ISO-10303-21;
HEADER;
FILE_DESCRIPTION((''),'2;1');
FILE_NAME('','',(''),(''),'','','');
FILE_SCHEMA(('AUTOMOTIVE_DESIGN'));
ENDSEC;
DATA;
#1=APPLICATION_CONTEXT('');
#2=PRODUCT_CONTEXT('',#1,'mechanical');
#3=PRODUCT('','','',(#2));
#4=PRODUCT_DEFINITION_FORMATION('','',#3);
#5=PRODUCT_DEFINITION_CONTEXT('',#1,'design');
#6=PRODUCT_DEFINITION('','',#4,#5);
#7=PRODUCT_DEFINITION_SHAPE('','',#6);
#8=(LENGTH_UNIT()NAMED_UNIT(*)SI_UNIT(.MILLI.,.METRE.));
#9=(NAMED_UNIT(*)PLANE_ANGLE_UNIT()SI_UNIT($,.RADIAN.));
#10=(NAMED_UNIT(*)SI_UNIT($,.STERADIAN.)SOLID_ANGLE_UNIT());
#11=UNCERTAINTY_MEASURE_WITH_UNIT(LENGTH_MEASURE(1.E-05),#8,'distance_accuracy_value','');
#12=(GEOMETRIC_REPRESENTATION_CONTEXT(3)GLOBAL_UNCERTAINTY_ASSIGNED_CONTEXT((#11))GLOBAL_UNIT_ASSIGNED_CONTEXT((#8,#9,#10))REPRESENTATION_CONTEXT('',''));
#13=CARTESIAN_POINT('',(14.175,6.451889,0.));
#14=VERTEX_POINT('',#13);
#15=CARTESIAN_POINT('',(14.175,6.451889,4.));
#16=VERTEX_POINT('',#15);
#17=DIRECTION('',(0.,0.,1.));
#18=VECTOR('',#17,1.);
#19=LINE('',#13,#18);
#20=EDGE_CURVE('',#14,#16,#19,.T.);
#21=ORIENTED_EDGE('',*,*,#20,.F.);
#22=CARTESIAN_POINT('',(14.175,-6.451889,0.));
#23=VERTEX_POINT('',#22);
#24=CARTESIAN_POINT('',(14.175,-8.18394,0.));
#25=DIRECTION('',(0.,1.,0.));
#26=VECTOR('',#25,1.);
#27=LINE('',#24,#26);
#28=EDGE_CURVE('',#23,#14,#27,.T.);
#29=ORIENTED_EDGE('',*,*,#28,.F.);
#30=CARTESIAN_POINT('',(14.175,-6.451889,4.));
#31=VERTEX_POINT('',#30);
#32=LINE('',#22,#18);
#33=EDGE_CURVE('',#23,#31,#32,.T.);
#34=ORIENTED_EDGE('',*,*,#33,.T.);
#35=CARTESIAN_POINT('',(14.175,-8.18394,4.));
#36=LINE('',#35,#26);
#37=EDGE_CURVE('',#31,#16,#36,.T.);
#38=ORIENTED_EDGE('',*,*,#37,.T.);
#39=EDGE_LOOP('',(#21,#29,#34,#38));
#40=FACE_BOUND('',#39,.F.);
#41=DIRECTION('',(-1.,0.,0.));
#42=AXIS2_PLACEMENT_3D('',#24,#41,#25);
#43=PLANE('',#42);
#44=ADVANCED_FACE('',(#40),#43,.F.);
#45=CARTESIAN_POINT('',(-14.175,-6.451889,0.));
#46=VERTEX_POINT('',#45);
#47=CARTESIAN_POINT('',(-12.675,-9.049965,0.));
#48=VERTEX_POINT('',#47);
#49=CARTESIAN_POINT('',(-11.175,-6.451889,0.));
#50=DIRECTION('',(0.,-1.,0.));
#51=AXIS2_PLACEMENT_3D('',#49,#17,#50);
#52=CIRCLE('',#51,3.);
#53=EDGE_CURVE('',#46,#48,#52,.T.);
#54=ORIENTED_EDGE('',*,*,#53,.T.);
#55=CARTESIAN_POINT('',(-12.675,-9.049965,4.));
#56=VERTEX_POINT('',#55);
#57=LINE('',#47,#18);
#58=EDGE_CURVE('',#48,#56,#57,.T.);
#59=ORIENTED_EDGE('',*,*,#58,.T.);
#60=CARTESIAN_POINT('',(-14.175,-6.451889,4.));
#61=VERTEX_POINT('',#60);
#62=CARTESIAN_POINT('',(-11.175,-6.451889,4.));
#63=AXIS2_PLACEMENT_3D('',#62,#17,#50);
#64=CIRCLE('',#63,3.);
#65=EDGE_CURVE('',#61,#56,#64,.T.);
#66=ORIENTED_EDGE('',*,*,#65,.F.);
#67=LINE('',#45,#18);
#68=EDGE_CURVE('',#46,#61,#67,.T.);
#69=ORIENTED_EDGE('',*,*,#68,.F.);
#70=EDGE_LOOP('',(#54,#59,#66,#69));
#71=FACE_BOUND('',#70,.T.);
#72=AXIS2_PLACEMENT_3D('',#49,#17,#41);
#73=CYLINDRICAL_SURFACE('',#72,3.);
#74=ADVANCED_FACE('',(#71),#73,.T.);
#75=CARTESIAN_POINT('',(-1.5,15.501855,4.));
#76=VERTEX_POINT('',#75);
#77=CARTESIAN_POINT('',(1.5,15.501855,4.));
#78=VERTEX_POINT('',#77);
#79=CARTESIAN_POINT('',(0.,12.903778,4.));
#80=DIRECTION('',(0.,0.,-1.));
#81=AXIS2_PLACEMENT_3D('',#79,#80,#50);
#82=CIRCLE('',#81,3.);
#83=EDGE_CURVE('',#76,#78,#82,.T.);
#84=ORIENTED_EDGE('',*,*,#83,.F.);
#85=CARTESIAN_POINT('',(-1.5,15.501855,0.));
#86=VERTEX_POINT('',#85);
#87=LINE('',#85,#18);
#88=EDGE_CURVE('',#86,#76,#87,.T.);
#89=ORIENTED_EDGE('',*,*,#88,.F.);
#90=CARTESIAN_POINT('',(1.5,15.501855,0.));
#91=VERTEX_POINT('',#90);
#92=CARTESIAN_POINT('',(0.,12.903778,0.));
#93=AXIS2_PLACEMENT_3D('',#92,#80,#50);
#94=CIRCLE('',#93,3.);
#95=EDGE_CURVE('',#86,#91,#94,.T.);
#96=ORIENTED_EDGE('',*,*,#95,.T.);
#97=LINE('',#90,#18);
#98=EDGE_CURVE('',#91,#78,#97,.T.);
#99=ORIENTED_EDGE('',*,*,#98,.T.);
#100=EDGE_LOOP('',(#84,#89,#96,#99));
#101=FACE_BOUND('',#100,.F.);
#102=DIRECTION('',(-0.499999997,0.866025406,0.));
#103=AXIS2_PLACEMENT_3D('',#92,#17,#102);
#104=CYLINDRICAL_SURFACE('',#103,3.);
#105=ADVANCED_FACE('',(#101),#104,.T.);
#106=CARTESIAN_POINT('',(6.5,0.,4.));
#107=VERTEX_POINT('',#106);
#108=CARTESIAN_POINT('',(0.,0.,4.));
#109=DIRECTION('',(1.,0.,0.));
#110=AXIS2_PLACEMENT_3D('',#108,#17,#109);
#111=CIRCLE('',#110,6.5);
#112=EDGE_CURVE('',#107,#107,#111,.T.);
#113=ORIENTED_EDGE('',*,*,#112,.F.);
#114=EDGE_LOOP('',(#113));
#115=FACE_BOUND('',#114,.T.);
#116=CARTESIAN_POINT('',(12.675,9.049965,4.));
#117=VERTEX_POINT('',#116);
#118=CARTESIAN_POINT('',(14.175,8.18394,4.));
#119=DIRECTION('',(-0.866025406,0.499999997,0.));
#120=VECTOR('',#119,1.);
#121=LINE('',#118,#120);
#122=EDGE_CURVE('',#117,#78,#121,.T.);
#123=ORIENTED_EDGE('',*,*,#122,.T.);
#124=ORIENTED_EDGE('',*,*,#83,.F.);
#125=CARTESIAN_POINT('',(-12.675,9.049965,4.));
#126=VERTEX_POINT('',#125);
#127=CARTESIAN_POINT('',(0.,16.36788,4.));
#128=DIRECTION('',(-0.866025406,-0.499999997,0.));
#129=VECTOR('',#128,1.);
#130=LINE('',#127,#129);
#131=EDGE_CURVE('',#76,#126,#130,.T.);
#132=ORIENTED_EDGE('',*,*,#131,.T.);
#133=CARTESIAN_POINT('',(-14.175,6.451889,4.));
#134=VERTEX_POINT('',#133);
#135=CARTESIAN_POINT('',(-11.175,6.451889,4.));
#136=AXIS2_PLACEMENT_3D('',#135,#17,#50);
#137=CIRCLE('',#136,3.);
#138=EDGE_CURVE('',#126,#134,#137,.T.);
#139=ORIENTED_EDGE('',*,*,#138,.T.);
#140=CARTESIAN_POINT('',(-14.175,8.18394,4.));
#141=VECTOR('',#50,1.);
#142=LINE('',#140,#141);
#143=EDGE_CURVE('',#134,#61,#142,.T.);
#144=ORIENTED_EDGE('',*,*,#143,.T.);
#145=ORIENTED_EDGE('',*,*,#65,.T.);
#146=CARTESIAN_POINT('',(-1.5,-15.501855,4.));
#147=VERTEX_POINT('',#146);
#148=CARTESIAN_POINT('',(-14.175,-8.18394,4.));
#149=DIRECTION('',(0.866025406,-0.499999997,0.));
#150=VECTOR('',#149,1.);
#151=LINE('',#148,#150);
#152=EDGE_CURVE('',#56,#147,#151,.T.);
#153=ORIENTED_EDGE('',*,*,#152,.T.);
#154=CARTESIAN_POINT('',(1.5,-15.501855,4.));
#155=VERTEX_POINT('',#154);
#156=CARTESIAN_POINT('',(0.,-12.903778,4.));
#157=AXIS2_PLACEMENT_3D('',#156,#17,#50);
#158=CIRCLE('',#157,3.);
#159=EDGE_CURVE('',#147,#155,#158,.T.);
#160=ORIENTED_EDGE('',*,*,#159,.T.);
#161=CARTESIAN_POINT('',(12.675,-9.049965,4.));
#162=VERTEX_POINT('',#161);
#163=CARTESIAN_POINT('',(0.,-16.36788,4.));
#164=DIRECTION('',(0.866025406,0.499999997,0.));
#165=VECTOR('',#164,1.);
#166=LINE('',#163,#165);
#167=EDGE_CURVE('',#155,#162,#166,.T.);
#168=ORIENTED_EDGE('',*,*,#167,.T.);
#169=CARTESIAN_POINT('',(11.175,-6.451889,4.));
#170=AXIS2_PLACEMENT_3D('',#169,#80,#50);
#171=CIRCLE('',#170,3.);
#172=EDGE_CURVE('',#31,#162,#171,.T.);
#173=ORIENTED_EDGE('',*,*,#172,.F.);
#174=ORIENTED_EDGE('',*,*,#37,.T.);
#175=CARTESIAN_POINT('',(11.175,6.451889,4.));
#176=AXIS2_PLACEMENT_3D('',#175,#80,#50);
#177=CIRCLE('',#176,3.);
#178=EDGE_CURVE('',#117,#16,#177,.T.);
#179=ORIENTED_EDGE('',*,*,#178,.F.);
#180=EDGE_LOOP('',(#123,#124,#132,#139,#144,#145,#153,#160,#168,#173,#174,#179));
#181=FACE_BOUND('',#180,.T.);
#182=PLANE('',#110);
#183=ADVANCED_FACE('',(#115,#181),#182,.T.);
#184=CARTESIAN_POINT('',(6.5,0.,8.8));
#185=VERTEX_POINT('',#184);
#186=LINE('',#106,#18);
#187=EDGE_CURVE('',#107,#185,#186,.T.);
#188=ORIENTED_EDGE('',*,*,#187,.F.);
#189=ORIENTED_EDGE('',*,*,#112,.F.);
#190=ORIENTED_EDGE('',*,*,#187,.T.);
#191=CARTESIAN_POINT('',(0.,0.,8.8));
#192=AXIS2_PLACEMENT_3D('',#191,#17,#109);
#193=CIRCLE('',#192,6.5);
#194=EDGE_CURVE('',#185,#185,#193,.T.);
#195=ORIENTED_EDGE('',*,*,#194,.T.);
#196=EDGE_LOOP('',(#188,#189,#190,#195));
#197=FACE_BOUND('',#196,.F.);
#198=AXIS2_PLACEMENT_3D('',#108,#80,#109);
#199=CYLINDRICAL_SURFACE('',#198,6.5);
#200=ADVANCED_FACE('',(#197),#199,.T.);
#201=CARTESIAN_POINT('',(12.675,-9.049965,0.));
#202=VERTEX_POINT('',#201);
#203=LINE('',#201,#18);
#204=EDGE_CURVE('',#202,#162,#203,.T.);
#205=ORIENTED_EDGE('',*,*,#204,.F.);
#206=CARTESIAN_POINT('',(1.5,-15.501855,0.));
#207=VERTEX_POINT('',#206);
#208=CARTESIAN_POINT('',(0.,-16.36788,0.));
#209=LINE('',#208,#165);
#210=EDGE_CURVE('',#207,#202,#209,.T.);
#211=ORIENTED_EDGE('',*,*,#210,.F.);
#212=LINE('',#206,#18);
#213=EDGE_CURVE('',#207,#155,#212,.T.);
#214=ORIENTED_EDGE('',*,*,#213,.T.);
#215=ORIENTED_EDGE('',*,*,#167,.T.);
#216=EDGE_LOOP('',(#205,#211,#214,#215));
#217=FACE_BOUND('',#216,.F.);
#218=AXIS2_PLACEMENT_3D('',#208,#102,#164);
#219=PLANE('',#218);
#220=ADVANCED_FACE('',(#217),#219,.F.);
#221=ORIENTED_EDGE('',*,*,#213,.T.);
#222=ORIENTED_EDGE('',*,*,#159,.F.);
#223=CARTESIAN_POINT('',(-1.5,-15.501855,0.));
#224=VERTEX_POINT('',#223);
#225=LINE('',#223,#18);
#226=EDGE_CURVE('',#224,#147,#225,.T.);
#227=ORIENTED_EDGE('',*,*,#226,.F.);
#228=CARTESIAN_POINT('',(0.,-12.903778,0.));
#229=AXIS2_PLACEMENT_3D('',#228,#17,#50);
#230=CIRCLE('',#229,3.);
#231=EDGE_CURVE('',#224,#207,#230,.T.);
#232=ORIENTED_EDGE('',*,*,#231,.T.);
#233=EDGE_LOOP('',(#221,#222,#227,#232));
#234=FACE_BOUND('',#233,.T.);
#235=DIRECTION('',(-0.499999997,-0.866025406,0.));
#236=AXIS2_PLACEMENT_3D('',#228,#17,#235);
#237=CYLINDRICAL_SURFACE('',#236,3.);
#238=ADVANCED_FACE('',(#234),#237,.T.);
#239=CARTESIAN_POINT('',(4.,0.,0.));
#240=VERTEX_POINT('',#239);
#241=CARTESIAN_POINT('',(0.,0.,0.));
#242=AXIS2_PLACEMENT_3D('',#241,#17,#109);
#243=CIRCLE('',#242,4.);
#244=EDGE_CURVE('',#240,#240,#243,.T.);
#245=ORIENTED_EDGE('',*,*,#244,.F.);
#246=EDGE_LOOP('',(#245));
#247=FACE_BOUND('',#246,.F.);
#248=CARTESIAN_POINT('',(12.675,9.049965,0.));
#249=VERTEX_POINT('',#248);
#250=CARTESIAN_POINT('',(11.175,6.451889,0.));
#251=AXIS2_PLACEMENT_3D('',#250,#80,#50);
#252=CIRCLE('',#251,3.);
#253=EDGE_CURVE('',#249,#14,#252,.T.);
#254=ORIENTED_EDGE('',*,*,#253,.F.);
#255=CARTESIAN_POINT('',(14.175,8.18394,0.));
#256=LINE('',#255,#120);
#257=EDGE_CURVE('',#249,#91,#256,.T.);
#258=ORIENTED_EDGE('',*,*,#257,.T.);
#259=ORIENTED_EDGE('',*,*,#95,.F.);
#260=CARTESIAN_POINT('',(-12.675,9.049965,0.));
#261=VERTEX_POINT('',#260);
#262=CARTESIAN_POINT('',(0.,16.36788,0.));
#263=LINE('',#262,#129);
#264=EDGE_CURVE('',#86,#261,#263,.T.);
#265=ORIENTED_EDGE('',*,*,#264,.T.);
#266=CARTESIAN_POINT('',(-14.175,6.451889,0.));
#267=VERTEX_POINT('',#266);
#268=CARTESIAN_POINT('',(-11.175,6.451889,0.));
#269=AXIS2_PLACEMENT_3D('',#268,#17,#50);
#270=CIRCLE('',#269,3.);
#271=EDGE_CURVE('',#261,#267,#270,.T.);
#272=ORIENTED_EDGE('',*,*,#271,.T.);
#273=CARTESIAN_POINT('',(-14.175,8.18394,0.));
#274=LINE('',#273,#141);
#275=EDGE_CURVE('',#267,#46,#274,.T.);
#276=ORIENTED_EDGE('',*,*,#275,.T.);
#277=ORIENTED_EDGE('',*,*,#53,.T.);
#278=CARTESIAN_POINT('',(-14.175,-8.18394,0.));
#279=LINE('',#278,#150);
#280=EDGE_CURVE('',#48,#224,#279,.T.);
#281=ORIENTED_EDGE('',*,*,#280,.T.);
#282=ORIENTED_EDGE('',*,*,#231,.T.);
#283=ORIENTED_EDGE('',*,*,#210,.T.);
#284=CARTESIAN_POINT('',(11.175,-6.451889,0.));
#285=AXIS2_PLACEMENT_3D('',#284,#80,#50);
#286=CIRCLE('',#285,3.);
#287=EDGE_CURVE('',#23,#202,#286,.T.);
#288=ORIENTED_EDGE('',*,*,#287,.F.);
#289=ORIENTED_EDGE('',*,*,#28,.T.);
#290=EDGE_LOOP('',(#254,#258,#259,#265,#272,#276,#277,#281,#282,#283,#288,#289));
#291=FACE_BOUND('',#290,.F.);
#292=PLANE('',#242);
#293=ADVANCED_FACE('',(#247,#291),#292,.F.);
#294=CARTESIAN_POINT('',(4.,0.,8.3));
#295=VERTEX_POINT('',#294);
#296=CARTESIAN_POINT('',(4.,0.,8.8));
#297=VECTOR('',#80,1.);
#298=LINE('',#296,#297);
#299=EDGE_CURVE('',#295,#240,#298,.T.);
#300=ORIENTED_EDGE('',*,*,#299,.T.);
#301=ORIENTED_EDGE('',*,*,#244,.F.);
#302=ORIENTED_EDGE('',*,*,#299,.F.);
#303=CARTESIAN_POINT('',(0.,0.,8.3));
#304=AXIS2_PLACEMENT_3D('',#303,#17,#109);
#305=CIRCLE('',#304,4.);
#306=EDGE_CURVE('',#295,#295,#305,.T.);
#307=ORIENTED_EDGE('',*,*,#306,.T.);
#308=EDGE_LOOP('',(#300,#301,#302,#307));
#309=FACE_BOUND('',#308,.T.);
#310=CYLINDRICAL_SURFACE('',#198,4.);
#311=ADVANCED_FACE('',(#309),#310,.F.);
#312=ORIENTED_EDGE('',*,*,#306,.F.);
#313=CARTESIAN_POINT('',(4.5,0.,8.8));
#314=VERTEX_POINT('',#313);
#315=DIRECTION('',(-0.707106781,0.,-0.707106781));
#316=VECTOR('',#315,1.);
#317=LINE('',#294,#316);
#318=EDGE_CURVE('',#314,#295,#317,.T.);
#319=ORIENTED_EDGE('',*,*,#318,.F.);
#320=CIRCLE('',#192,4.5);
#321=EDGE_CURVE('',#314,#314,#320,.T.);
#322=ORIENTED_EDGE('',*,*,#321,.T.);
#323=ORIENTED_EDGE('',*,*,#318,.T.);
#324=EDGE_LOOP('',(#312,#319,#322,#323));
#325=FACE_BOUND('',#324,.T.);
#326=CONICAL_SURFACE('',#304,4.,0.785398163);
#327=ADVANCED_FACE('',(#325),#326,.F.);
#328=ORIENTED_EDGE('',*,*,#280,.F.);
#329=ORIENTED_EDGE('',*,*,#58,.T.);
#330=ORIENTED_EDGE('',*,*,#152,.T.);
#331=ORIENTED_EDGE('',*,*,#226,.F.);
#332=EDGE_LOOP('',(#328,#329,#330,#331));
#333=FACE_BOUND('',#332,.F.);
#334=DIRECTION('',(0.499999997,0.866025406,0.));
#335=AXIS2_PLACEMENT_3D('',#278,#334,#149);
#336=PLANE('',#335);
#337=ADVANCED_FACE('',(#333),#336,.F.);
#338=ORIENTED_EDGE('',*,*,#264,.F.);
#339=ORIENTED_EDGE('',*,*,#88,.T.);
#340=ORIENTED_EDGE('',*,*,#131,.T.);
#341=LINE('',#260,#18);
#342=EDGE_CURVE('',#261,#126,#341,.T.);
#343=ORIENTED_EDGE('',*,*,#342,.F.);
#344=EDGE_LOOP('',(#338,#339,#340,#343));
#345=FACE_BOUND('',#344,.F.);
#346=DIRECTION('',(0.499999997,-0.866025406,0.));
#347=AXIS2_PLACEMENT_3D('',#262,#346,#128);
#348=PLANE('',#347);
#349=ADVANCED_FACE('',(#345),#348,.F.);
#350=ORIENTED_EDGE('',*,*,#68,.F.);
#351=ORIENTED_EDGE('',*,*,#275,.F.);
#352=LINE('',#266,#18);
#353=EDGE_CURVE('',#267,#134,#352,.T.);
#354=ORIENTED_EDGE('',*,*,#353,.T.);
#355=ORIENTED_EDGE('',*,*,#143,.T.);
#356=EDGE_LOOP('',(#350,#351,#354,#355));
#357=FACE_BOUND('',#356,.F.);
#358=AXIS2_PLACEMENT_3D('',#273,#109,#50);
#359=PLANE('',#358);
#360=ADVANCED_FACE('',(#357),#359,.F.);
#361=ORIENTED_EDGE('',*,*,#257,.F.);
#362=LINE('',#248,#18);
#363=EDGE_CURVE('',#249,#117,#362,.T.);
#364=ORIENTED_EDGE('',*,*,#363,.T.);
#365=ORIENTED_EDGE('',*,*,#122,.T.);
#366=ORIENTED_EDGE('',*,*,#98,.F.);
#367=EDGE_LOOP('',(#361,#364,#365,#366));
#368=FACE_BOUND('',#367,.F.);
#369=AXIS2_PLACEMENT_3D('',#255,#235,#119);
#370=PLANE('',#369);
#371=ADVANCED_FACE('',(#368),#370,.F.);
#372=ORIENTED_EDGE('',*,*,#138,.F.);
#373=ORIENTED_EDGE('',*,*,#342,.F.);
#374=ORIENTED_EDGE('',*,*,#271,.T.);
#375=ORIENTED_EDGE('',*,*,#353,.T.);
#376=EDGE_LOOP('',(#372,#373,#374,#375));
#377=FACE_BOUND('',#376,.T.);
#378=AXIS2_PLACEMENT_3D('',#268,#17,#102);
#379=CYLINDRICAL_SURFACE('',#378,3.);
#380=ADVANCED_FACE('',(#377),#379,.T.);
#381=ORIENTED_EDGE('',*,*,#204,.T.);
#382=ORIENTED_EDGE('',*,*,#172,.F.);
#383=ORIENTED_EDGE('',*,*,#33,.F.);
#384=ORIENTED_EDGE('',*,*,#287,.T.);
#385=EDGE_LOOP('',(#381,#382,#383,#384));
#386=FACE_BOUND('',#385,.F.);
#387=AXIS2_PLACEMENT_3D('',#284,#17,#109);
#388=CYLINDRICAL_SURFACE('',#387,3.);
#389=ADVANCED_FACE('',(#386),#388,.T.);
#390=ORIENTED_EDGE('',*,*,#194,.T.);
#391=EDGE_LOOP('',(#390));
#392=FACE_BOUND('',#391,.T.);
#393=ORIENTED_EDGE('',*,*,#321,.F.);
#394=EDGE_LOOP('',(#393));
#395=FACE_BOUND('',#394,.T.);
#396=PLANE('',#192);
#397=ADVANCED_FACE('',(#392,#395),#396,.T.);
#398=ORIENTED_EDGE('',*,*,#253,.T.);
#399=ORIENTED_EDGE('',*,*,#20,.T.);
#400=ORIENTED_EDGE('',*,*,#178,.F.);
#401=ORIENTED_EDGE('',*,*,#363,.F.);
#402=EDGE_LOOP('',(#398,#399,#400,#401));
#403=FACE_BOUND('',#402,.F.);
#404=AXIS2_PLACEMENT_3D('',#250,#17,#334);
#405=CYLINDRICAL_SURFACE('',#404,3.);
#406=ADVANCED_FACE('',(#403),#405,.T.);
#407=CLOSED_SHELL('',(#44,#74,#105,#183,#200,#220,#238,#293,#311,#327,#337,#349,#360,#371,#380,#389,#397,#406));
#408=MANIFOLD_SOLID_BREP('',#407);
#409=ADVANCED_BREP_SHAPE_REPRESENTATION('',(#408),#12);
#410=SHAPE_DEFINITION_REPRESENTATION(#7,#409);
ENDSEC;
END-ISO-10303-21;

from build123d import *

# Parameters (mm, degrees)
SKETCH_R      = 4
PAD_DEPTH     = 4
SKETCH001_R   = 6.5
SKETCH001_R_2 = 4
PAD001_DEPTH  = 4.8
CHAMFER_SIZE  = 0.5
FILLET_R      = 3


with BuildPart() as part:
    # Sketch → Pad (new body)
    with BuildSketch(Plane.XY):
        Polygon((0, 16.36788), (-14.175, 8.18394), (-14.175, -8.18394), (0, -16.36788), (14.175, -8.18394), (14.175, 8.18394), align=None)
        Circle(SKETCH_R, mode=Mode.SUBTRACT)
    extrude(amount=PAD_DEPTH)

    # Sketch001 (on Face9 of Pad) → Pad001 (join)
    with BuildSketch(Plane.XY.offset(4)):
        Circle(SKETCH001_R)
        Circle(SKETCH001_R_2, mode=Mode.SUBTRACT)
    extrude(amount=PAD001_DEPTH)

    # Chamfer
    chamfer_edges = [part.edges().sort_by_distance(p)[0] for p in [
        (-4, 0, 8.8),
    ]]
    chamfer(chamfer_edges, length=CHAMFER_SIZE)

    # Fillet
    fillet_edges = [part.edges().sort_by_distance(p)[0] for p in [
        (0, -16.36788, 2),
        (14.175, -8.18394, 2),
        (14.175, 8.18394, 2),
        (-14.175, -8.18394, 2),
        (-14.175, 8.18394, 2),
        (0, 16.36788, 2),
    ]]
    fillet(fillet_edges, radius=FILLET_R)


solid = part.part
